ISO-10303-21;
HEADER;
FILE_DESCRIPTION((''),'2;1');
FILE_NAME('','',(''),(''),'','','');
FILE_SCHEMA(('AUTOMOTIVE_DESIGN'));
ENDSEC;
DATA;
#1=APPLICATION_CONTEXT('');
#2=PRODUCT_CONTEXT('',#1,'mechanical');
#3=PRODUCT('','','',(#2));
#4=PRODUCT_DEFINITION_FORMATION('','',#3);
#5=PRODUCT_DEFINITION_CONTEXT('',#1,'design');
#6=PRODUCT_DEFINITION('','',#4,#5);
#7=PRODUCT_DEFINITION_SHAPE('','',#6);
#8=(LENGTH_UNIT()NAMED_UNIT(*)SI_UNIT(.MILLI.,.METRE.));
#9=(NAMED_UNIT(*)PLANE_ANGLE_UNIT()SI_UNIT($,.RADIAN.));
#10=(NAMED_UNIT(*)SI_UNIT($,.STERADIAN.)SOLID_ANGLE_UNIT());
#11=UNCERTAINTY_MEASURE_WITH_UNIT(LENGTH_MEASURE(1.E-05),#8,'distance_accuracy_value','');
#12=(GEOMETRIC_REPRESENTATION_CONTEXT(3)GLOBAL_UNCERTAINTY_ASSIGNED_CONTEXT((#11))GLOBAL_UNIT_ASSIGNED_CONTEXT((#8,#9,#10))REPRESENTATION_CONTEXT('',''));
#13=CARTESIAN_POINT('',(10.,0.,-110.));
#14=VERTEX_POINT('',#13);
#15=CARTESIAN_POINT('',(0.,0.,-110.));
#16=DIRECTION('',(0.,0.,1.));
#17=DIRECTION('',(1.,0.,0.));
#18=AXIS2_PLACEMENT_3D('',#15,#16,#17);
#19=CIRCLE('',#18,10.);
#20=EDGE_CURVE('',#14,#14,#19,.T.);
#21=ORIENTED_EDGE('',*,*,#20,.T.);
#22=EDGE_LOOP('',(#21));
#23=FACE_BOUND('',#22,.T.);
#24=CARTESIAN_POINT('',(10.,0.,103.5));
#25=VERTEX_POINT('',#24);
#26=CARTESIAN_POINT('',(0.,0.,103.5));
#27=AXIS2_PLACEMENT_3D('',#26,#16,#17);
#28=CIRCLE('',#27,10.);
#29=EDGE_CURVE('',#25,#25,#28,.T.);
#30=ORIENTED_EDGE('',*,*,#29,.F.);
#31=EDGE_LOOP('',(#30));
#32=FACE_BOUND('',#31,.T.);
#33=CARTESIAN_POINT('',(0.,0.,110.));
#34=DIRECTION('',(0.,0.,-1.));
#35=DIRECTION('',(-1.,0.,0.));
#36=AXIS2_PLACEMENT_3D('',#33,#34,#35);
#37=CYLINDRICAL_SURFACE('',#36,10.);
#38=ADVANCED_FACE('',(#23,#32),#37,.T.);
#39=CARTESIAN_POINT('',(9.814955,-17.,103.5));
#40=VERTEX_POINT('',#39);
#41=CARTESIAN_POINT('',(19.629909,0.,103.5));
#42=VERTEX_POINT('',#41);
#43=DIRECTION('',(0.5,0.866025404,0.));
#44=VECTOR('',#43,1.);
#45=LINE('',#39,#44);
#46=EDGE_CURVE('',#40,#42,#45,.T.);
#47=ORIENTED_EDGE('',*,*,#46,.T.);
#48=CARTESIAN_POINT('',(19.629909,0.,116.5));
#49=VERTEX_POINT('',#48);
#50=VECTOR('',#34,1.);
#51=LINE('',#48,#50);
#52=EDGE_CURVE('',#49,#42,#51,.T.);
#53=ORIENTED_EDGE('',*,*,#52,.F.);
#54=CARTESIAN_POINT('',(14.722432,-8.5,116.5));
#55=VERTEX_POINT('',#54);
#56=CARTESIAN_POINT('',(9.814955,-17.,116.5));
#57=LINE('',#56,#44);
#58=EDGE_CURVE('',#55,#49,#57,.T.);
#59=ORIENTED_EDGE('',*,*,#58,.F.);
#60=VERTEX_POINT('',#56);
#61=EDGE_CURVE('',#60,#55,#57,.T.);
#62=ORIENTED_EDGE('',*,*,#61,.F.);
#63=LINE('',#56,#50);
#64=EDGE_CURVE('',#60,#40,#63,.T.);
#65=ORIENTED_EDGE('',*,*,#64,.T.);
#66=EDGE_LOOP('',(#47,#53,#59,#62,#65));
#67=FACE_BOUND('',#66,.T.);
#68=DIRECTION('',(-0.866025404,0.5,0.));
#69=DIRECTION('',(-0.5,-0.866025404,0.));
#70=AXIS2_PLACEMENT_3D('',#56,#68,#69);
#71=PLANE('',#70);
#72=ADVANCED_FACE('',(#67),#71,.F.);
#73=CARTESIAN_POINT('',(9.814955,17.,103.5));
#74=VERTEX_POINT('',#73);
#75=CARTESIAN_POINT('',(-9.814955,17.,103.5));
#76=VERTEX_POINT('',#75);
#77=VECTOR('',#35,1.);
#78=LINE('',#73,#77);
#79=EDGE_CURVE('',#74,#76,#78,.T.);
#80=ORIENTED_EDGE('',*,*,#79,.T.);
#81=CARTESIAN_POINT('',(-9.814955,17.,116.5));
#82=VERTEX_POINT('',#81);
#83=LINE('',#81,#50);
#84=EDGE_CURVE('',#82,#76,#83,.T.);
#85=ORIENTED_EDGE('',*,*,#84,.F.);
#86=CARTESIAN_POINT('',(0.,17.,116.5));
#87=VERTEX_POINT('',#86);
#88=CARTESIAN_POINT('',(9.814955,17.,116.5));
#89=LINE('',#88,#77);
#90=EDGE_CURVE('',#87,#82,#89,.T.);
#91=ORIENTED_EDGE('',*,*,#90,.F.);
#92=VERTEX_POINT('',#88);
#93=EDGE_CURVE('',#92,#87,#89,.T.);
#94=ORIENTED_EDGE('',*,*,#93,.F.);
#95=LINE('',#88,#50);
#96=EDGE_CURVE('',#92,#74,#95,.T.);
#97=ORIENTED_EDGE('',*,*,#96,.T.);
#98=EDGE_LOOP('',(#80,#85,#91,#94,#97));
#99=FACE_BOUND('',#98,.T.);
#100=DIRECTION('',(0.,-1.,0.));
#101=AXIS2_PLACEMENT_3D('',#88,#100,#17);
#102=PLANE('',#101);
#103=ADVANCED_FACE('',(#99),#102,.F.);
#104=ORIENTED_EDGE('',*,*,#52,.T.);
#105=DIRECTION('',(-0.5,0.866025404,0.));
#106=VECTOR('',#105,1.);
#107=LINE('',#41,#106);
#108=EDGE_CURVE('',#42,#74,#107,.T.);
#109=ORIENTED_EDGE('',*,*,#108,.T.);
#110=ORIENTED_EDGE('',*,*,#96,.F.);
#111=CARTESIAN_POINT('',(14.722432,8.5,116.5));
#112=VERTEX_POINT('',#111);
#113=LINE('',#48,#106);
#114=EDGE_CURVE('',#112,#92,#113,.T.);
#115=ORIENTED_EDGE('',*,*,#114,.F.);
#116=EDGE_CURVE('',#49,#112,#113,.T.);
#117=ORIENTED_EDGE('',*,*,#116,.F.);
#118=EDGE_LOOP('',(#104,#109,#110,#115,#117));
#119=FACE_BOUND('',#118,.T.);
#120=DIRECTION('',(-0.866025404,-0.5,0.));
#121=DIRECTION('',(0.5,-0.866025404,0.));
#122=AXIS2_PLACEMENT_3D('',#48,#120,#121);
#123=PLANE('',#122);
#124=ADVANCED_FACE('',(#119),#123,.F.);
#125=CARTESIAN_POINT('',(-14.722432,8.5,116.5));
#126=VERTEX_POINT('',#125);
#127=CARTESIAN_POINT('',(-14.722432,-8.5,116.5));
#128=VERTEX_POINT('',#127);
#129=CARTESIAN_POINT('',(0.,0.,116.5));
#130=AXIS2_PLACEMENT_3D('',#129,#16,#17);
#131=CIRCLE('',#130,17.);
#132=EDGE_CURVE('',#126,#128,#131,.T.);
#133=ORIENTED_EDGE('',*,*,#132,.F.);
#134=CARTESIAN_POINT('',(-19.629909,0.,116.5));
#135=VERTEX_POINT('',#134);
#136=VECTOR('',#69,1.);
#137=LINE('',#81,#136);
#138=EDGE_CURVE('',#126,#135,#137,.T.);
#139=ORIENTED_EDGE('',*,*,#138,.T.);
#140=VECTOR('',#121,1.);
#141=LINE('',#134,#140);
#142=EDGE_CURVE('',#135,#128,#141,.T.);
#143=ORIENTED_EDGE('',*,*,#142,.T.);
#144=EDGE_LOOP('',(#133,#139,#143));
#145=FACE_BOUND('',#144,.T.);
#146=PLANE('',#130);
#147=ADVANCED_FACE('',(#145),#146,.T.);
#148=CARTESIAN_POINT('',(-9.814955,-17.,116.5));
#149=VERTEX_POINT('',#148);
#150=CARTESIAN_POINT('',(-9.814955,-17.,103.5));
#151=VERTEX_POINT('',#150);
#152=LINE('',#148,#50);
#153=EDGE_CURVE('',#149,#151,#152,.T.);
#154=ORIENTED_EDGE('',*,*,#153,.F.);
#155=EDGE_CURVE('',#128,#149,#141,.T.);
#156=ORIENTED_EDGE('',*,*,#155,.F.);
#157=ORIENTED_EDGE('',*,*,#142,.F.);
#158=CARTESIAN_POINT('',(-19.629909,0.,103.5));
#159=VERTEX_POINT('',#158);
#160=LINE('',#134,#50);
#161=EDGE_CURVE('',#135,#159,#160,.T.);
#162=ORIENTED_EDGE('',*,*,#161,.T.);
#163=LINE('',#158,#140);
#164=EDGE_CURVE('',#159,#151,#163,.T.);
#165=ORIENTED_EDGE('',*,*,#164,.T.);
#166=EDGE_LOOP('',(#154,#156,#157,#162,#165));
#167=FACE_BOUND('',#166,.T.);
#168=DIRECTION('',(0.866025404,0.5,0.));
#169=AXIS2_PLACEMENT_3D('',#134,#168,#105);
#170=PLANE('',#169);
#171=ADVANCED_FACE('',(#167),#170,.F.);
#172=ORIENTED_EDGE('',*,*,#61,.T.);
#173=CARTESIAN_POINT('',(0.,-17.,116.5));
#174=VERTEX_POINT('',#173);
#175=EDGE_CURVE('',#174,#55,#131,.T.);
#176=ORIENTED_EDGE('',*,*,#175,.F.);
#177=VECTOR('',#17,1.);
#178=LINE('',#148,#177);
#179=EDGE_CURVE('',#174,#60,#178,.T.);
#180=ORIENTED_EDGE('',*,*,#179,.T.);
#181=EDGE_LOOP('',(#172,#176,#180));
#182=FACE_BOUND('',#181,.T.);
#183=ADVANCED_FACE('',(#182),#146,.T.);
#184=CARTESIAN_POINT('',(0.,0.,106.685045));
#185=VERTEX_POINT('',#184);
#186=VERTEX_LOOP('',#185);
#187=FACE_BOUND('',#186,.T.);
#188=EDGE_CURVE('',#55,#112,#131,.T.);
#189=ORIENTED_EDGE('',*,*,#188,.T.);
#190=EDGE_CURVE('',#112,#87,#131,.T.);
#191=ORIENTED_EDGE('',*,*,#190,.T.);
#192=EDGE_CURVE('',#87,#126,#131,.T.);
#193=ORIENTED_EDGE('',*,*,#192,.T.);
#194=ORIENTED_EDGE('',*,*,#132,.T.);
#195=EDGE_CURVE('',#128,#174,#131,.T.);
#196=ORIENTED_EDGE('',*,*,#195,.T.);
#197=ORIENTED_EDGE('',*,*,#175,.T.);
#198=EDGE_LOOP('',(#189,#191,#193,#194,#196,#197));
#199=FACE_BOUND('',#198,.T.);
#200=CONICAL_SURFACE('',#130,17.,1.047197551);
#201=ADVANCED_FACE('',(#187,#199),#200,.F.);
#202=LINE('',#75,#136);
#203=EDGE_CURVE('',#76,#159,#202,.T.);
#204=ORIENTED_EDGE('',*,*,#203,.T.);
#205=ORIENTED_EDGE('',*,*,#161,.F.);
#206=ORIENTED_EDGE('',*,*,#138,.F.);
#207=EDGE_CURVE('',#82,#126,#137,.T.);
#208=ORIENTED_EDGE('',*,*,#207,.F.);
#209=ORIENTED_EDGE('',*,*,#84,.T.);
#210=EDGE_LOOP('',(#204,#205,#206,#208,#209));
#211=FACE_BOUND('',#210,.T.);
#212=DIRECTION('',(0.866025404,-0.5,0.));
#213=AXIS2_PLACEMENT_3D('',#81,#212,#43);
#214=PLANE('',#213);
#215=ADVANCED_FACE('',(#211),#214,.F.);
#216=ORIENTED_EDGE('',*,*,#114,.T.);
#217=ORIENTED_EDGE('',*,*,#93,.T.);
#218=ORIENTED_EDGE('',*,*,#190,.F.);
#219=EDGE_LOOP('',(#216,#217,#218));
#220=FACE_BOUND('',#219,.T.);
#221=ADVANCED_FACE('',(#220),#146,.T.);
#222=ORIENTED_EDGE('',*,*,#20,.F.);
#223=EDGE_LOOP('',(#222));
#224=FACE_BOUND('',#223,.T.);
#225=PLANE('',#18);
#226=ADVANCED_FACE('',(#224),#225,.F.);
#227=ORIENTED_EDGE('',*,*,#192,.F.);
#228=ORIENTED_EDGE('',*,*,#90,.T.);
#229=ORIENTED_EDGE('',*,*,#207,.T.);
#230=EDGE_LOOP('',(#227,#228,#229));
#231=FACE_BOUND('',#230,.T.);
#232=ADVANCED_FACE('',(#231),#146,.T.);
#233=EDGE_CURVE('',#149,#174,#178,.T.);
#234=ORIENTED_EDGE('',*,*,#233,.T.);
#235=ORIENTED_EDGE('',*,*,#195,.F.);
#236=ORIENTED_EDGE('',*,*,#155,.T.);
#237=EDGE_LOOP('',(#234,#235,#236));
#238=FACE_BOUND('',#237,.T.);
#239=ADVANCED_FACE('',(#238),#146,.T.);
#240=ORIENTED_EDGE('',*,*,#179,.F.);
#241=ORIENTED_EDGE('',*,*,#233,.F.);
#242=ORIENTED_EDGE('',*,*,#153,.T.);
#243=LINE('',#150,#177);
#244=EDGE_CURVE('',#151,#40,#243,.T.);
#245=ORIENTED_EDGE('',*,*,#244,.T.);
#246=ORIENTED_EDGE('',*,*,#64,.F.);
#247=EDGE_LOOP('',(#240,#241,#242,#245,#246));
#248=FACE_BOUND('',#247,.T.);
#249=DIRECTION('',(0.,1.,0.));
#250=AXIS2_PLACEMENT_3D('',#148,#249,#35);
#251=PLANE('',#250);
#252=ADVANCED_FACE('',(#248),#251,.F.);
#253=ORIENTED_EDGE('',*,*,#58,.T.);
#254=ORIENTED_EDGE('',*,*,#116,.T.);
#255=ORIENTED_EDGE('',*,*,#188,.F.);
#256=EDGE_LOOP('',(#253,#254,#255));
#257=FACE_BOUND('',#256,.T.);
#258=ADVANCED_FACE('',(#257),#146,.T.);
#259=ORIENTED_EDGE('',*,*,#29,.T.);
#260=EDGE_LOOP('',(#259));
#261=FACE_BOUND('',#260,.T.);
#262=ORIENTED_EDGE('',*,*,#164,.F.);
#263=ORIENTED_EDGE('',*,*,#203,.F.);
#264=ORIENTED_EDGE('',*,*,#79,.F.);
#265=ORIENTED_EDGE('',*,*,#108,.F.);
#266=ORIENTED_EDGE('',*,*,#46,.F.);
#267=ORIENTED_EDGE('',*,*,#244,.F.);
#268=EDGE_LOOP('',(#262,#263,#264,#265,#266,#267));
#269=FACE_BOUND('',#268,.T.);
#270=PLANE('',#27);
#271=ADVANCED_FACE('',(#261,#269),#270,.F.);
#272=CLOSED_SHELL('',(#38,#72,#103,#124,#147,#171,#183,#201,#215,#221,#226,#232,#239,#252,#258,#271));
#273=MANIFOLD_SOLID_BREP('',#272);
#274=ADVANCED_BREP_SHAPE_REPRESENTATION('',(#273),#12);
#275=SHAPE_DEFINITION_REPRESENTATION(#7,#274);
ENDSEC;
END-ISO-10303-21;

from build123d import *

# Parameters (mm, degrees)
SKETCH1_R           = 10
BOSS_EXTRUDE1_DEPTH = 110
BOSS_EXTRUDE2_DEPTH = 6.5


with BuildPart() as part:
    # Sketch1 → Boss-Extrude1 (new, symmetric)
    with BuildSketch(Plane.XY):
        Circle(SKETCH1_R)
    extrude(amount=BOSS_EXTRUDE1_DEPTH, both=True)

    # Sketch3 → Boss-Extrude2 (add, symmetric)
    with BuildSketch(Plane.XY.offset(110)):
        Polygon((19.629909152, 0), (9.814954576, 17), (-9.814954576, 17), (-19.629909152, 0), (-9.814954576, -17), (9.814954576, -17), align=None)
    extrude(amount=BOSS_EXTRUDE2_DEPTH, both=True)

    # Cut-Extrude1 cone 1 section (through the dimple's axis) → Cut-Extrude1 (revolve, cut)
    with BuildSketch(Plane(origin=(0, 0, 116.5), x_dir=(0, -1, 0), z_dir=(1, 0, 0))):
        Polygon((0, 0), (17, 0), (0, 9.814954576), align=None)
    revolve(axis=Axis((0, 0, 116.5), (0, 0, -1)), mode=Mode.SUBTRACT)


solid = part.part
